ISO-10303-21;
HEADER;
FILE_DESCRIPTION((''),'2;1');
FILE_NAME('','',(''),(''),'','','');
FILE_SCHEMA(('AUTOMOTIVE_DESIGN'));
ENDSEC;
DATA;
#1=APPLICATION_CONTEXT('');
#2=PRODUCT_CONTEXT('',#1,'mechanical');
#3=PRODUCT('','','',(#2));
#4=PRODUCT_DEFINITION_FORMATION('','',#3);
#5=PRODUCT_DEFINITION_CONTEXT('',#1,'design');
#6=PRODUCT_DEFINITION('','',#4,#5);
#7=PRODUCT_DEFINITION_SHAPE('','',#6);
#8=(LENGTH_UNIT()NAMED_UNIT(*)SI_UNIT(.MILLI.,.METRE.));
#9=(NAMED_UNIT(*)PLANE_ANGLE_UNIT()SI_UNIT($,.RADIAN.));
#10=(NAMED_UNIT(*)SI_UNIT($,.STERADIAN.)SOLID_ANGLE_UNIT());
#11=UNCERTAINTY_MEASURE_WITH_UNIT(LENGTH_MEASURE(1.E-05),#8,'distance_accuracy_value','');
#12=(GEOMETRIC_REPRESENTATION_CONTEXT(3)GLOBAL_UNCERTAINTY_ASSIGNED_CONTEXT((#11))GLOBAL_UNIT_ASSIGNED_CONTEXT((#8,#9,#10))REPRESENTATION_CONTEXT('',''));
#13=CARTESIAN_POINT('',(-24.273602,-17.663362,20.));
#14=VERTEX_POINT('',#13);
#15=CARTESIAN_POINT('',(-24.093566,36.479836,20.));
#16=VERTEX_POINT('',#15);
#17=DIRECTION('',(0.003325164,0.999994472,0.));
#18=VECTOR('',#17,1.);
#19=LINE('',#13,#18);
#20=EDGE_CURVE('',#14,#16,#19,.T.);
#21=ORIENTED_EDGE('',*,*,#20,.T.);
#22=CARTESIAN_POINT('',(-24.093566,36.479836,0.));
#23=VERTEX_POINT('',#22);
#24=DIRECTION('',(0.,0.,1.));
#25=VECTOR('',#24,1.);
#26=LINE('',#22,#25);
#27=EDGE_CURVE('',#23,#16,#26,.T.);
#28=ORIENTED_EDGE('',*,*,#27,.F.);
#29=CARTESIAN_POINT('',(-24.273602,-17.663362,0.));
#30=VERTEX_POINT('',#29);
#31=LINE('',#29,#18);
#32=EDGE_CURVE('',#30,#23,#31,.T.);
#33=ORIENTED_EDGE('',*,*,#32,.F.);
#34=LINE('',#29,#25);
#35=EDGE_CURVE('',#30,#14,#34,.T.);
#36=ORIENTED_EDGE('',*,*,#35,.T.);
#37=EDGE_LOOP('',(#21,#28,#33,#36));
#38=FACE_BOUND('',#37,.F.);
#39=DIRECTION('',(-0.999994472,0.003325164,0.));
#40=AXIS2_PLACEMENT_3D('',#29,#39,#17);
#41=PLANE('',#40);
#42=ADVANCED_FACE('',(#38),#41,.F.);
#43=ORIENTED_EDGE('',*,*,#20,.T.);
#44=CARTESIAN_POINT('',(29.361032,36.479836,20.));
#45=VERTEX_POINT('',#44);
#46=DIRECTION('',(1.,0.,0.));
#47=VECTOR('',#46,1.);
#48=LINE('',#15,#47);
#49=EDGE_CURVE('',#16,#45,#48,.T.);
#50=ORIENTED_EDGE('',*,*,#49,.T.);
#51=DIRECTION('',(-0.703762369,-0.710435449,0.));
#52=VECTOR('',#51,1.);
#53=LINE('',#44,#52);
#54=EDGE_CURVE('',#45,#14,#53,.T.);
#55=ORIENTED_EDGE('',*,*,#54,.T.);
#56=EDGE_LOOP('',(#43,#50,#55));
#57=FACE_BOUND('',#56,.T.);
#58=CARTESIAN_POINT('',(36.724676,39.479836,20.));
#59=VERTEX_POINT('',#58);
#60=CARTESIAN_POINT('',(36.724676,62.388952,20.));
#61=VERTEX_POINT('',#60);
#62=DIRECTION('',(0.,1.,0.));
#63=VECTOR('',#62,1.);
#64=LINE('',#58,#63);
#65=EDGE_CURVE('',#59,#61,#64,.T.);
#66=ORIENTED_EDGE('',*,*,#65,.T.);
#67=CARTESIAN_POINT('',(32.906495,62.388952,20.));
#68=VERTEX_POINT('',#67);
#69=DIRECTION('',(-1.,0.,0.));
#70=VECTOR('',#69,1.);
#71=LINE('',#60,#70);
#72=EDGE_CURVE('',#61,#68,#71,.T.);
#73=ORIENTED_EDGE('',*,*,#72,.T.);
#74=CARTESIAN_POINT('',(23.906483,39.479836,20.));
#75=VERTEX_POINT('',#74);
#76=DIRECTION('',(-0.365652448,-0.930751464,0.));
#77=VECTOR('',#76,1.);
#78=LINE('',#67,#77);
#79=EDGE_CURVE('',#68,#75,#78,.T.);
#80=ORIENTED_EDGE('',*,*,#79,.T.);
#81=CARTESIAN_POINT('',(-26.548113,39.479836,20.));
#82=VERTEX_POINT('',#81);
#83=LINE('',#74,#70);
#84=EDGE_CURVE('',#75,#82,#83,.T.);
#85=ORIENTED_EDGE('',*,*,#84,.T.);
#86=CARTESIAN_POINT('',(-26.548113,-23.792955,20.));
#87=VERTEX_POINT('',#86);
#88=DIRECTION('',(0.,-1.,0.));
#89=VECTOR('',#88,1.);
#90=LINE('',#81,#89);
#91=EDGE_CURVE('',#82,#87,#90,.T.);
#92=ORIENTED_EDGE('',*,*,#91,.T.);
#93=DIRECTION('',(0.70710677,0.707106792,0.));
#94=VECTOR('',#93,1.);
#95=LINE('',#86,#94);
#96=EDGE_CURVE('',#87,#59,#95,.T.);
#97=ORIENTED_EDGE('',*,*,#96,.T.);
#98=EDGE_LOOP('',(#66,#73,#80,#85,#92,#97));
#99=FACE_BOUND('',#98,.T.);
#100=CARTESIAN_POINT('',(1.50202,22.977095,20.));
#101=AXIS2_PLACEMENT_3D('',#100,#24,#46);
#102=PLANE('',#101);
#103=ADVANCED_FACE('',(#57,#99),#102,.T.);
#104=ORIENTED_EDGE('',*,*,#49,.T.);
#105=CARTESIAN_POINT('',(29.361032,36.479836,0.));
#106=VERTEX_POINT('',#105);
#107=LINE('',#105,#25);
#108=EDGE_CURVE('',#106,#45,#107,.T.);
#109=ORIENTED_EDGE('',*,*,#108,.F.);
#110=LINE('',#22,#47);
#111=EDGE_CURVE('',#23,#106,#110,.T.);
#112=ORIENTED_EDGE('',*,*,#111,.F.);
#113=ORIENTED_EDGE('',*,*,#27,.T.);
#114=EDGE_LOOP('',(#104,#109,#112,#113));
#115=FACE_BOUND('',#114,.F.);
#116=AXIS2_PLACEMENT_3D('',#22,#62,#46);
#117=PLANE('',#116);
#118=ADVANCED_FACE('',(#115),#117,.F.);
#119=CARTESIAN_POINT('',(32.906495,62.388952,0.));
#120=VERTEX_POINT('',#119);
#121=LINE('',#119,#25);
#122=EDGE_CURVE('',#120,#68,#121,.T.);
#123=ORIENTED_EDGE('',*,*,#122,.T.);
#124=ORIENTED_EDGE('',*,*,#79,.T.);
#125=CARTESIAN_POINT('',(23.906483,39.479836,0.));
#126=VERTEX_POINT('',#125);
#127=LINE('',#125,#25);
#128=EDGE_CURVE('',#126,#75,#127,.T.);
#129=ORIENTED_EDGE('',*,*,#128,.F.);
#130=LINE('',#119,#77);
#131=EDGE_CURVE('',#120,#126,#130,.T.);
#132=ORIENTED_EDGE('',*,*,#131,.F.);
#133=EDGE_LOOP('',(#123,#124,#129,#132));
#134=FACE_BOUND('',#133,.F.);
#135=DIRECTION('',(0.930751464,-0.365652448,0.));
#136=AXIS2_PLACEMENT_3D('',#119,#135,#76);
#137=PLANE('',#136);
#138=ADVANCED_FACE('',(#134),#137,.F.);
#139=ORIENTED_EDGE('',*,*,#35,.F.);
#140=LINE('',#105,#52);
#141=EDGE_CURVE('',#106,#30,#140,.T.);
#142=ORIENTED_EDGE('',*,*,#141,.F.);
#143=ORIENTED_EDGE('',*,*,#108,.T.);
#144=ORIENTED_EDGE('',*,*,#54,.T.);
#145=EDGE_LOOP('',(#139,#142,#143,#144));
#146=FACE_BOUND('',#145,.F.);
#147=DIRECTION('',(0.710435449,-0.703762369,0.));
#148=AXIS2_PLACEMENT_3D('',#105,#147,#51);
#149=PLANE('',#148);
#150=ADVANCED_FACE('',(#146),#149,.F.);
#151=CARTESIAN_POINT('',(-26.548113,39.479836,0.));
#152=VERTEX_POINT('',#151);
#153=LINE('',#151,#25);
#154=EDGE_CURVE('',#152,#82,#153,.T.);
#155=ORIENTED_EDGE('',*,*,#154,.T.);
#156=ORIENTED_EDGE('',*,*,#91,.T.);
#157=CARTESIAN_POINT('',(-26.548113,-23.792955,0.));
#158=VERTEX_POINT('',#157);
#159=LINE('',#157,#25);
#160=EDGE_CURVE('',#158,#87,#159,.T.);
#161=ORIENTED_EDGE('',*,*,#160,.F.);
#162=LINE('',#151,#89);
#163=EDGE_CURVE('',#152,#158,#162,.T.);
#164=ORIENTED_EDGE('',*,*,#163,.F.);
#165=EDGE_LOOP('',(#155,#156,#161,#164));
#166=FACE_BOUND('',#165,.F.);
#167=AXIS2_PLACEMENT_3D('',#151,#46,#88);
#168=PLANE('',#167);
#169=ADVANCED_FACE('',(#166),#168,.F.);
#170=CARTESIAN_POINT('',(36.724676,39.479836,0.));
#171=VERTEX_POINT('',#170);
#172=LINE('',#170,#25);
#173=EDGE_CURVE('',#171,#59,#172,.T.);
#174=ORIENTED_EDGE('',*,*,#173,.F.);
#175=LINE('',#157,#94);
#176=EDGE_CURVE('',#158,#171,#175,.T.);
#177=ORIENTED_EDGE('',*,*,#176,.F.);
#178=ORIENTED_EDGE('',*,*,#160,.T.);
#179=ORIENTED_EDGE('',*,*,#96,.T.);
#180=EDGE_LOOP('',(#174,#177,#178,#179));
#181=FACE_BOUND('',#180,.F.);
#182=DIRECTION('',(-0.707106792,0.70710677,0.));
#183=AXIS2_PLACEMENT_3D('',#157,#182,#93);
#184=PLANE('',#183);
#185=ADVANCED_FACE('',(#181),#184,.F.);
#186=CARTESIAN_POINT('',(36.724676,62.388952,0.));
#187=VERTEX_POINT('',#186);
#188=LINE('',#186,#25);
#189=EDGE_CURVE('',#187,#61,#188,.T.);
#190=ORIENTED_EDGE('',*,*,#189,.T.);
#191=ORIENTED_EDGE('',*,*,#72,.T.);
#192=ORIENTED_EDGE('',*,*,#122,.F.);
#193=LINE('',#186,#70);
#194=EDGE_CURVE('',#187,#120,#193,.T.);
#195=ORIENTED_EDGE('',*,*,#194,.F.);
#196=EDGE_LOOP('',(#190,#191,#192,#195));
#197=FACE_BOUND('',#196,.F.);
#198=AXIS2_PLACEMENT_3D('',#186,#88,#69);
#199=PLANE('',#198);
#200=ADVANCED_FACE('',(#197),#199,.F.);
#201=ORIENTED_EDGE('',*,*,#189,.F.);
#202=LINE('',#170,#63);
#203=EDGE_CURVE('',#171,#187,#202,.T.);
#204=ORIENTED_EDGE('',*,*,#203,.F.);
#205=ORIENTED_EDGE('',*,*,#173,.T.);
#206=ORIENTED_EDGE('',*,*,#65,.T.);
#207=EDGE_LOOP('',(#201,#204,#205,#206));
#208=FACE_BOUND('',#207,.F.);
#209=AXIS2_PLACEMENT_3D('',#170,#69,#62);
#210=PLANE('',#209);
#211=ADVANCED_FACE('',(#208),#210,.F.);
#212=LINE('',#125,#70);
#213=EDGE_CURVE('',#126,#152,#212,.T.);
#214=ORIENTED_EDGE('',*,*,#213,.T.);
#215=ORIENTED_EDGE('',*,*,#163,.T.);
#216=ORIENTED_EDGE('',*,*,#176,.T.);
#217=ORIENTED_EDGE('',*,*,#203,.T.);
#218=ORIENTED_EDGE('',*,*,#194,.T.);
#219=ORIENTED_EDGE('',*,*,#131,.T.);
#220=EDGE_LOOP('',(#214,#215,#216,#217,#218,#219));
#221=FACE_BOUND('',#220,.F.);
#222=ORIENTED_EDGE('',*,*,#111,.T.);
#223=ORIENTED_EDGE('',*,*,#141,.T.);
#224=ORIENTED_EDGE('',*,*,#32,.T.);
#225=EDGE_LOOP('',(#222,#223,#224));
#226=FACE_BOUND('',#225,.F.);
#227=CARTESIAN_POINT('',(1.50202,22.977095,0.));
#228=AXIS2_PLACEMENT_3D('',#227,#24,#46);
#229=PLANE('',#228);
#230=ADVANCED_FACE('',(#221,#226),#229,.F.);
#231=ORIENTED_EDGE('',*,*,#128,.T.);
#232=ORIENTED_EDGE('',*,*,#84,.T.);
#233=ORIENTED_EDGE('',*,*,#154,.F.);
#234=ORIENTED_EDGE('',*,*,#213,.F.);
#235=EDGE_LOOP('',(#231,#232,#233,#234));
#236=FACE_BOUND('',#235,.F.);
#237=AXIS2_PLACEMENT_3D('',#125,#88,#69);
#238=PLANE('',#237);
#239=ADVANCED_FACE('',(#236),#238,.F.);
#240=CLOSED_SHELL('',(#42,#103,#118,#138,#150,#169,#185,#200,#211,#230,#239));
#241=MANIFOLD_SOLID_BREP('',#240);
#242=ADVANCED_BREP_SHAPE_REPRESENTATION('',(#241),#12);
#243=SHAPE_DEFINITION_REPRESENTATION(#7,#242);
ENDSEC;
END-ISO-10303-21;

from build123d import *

# Parameters (mm, degrees)
F1_DEPTH = 20


with BuildPart() as f1:
    # F0 (on Top) → F1 (new body)
    with BuildSketch(Plane.XY):
        Polygon((32.906495, 62.388952), (23.906483, 39.479836), (-26.548113, 39.479836), (-26.548113, -23.792955), (36.724676, 39.479836), (36.724676, 62.388952), align=None)
        Polygon((-24.273602, -17.663362), (-24.093566, 36.479836), (29.361032, 36.479836), align=None, mode=Mode.SUBTRACT)
    extrude(amount=F1_DEPTH)


solid = f1.part
